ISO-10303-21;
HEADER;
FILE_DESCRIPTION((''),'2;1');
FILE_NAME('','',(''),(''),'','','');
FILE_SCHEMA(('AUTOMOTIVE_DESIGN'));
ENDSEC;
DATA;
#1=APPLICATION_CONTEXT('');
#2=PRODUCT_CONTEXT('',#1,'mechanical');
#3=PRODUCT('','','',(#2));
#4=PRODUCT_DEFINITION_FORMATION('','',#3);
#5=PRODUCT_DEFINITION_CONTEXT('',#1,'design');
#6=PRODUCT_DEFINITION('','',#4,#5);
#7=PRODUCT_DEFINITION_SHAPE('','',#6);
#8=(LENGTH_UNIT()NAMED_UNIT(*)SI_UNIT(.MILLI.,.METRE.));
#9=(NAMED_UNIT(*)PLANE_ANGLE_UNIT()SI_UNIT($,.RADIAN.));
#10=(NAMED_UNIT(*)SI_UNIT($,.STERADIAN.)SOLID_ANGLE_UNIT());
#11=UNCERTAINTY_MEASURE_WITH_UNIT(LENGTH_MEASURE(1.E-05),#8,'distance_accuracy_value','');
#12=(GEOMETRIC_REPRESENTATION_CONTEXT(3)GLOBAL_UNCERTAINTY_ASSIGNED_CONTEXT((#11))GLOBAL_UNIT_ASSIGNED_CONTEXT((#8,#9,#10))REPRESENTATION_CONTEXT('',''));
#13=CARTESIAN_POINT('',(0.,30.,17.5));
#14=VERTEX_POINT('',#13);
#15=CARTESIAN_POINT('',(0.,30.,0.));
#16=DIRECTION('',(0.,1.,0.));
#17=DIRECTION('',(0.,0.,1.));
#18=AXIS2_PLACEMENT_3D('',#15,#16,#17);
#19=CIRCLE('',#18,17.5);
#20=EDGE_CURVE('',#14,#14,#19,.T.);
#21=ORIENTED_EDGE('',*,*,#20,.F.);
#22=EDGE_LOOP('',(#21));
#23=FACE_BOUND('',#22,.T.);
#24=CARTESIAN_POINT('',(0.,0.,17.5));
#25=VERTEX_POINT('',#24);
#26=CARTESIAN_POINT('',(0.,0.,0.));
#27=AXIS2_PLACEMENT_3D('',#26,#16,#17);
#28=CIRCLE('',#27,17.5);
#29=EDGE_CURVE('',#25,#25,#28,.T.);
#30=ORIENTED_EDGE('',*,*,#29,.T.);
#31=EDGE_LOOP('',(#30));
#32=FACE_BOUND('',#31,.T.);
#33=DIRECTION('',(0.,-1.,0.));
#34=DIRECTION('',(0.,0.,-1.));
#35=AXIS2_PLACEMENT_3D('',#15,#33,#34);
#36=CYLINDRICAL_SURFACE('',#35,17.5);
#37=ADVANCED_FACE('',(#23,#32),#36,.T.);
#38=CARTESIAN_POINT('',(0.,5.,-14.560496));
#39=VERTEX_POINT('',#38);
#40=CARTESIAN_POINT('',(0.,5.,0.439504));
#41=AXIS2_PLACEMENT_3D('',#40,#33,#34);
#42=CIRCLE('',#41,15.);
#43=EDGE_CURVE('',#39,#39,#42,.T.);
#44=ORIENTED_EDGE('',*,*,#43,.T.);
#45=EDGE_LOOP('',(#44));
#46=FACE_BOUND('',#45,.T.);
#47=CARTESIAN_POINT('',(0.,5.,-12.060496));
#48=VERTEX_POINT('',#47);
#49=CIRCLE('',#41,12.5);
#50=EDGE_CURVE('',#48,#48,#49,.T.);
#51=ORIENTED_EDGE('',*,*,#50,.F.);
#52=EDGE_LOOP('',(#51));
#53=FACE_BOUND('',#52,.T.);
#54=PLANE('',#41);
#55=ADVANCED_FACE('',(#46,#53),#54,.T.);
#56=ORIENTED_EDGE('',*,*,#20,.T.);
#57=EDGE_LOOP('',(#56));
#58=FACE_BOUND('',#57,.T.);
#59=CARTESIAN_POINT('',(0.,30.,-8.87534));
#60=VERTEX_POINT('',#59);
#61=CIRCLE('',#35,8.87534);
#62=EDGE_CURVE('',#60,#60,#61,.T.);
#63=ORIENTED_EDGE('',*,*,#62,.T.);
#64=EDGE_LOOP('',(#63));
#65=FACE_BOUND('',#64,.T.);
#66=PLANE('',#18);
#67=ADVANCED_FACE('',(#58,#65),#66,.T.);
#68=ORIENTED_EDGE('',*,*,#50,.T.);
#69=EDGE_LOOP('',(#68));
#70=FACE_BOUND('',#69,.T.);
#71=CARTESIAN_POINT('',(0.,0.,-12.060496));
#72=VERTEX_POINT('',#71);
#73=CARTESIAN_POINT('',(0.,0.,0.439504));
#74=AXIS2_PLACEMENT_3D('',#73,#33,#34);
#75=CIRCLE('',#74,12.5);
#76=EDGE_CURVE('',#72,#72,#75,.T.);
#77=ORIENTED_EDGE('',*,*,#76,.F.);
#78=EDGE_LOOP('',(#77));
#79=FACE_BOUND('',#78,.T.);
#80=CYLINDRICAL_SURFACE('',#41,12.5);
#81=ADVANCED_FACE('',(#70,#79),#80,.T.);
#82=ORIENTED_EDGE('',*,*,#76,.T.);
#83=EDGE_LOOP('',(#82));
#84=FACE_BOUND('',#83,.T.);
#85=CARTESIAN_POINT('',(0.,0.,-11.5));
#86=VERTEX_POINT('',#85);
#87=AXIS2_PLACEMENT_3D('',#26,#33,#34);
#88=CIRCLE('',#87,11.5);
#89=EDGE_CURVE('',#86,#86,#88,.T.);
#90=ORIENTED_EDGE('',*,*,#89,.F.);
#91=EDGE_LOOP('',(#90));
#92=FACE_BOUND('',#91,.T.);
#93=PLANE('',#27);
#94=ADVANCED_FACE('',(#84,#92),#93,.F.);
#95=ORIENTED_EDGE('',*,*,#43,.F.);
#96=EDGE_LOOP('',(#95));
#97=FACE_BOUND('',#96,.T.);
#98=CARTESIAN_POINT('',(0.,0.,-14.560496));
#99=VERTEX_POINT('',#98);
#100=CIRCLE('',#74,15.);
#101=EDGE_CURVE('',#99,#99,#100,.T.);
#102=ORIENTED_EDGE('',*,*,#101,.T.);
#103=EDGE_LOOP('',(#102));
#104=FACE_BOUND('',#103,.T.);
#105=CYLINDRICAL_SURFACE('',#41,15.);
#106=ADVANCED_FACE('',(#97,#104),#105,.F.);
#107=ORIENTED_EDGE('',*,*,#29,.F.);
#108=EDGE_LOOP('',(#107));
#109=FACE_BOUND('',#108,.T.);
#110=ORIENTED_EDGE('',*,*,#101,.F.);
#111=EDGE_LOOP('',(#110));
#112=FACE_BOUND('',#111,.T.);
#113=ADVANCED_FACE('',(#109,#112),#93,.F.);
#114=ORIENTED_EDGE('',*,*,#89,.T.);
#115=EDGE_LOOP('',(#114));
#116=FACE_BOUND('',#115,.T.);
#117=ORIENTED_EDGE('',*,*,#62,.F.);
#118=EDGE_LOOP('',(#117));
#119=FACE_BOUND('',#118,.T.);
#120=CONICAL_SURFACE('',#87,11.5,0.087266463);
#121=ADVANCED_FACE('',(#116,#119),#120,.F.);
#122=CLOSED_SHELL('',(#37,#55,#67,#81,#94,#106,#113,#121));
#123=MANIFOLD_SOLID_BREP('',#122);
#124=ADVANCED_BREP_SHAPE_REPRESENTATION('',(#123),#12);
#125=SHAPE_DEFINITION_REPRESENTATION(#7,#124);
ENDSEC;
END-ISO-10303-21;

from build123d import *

# Parameters (mm, degrees)
SKETCH2_R           = 17.5
BOSS_EXTRUDE2_DEPTH = 30
SKETCH3_R           = 11.5
CUT_EXTRUDE1_DEPTH  = 30
CUT_EXTRUDE1_DRAFT  = -5
SKETCH4_R           = 15
SKETCH4_R_2         = 12.5
CUT_EXTRUDE2_DEPTH  = 5


with BuildPart() as part:
    # Sketch2 → Boss-Extrude2 (new body)
    with BuildSketch(Plane(origin=(0, 0, 0), x_dir=(1, 0, 0), z_dir=(0, 1, 0))):
        with Locations(Location((0, 0, 0), (0, 0, 270))):
            Circle(SKETCH2_R)
    extrude(amount=BOSS_EXTRUDE2_DEPTH)


with BuildPart() as cut_extrude1_tool:
    # Sketch3 → Cut-Extrude1 (with draft: the straight prism first)
    with BuildSketch(Plane.XZ):
        Circle(SKETCH3_R)
    extrude(amount=-CUT_EXTRUDE1_DEPTH)
    # Cut-Extrude1: the draft: its side faces are tilted about the plane it starts from
    cut_extrude1_sides = [cut_extrude1_tool.faces().sort_by_distance(p)[0] for p in [
        (-11.5, 15, 0),
    ]]
    draft(cut_extrude1_sides, Plane.XZ, CUT_EXTRUDE1_DRAFT)


with BuildPart() as part_1:
    add(part.part)

    # Cut-Extrude1: cut by cut_extrude1_tool
    add(cut_extrude1_tool.part, mode=Mode.SUBTRACT)

    # Sketch4 → Cut-Extrude2 (cut)
    with BuildSketch(Plane.XZ):
        with Locations(Location((0, 0.439504446, 0), (0, 0, 270))):
            Circle(SKETCH4_R)
        with Locations(Location((0, 0.439504446, 0), (0, 0, 270))):
            Circle(SKETCH4_R_2, mode=Mode.SUBTRACT)
    extrude(amount=-CUT_EXTRUDE2_DEPTH, mode=Mode.SUBTRACT)


solid = part_1.part
